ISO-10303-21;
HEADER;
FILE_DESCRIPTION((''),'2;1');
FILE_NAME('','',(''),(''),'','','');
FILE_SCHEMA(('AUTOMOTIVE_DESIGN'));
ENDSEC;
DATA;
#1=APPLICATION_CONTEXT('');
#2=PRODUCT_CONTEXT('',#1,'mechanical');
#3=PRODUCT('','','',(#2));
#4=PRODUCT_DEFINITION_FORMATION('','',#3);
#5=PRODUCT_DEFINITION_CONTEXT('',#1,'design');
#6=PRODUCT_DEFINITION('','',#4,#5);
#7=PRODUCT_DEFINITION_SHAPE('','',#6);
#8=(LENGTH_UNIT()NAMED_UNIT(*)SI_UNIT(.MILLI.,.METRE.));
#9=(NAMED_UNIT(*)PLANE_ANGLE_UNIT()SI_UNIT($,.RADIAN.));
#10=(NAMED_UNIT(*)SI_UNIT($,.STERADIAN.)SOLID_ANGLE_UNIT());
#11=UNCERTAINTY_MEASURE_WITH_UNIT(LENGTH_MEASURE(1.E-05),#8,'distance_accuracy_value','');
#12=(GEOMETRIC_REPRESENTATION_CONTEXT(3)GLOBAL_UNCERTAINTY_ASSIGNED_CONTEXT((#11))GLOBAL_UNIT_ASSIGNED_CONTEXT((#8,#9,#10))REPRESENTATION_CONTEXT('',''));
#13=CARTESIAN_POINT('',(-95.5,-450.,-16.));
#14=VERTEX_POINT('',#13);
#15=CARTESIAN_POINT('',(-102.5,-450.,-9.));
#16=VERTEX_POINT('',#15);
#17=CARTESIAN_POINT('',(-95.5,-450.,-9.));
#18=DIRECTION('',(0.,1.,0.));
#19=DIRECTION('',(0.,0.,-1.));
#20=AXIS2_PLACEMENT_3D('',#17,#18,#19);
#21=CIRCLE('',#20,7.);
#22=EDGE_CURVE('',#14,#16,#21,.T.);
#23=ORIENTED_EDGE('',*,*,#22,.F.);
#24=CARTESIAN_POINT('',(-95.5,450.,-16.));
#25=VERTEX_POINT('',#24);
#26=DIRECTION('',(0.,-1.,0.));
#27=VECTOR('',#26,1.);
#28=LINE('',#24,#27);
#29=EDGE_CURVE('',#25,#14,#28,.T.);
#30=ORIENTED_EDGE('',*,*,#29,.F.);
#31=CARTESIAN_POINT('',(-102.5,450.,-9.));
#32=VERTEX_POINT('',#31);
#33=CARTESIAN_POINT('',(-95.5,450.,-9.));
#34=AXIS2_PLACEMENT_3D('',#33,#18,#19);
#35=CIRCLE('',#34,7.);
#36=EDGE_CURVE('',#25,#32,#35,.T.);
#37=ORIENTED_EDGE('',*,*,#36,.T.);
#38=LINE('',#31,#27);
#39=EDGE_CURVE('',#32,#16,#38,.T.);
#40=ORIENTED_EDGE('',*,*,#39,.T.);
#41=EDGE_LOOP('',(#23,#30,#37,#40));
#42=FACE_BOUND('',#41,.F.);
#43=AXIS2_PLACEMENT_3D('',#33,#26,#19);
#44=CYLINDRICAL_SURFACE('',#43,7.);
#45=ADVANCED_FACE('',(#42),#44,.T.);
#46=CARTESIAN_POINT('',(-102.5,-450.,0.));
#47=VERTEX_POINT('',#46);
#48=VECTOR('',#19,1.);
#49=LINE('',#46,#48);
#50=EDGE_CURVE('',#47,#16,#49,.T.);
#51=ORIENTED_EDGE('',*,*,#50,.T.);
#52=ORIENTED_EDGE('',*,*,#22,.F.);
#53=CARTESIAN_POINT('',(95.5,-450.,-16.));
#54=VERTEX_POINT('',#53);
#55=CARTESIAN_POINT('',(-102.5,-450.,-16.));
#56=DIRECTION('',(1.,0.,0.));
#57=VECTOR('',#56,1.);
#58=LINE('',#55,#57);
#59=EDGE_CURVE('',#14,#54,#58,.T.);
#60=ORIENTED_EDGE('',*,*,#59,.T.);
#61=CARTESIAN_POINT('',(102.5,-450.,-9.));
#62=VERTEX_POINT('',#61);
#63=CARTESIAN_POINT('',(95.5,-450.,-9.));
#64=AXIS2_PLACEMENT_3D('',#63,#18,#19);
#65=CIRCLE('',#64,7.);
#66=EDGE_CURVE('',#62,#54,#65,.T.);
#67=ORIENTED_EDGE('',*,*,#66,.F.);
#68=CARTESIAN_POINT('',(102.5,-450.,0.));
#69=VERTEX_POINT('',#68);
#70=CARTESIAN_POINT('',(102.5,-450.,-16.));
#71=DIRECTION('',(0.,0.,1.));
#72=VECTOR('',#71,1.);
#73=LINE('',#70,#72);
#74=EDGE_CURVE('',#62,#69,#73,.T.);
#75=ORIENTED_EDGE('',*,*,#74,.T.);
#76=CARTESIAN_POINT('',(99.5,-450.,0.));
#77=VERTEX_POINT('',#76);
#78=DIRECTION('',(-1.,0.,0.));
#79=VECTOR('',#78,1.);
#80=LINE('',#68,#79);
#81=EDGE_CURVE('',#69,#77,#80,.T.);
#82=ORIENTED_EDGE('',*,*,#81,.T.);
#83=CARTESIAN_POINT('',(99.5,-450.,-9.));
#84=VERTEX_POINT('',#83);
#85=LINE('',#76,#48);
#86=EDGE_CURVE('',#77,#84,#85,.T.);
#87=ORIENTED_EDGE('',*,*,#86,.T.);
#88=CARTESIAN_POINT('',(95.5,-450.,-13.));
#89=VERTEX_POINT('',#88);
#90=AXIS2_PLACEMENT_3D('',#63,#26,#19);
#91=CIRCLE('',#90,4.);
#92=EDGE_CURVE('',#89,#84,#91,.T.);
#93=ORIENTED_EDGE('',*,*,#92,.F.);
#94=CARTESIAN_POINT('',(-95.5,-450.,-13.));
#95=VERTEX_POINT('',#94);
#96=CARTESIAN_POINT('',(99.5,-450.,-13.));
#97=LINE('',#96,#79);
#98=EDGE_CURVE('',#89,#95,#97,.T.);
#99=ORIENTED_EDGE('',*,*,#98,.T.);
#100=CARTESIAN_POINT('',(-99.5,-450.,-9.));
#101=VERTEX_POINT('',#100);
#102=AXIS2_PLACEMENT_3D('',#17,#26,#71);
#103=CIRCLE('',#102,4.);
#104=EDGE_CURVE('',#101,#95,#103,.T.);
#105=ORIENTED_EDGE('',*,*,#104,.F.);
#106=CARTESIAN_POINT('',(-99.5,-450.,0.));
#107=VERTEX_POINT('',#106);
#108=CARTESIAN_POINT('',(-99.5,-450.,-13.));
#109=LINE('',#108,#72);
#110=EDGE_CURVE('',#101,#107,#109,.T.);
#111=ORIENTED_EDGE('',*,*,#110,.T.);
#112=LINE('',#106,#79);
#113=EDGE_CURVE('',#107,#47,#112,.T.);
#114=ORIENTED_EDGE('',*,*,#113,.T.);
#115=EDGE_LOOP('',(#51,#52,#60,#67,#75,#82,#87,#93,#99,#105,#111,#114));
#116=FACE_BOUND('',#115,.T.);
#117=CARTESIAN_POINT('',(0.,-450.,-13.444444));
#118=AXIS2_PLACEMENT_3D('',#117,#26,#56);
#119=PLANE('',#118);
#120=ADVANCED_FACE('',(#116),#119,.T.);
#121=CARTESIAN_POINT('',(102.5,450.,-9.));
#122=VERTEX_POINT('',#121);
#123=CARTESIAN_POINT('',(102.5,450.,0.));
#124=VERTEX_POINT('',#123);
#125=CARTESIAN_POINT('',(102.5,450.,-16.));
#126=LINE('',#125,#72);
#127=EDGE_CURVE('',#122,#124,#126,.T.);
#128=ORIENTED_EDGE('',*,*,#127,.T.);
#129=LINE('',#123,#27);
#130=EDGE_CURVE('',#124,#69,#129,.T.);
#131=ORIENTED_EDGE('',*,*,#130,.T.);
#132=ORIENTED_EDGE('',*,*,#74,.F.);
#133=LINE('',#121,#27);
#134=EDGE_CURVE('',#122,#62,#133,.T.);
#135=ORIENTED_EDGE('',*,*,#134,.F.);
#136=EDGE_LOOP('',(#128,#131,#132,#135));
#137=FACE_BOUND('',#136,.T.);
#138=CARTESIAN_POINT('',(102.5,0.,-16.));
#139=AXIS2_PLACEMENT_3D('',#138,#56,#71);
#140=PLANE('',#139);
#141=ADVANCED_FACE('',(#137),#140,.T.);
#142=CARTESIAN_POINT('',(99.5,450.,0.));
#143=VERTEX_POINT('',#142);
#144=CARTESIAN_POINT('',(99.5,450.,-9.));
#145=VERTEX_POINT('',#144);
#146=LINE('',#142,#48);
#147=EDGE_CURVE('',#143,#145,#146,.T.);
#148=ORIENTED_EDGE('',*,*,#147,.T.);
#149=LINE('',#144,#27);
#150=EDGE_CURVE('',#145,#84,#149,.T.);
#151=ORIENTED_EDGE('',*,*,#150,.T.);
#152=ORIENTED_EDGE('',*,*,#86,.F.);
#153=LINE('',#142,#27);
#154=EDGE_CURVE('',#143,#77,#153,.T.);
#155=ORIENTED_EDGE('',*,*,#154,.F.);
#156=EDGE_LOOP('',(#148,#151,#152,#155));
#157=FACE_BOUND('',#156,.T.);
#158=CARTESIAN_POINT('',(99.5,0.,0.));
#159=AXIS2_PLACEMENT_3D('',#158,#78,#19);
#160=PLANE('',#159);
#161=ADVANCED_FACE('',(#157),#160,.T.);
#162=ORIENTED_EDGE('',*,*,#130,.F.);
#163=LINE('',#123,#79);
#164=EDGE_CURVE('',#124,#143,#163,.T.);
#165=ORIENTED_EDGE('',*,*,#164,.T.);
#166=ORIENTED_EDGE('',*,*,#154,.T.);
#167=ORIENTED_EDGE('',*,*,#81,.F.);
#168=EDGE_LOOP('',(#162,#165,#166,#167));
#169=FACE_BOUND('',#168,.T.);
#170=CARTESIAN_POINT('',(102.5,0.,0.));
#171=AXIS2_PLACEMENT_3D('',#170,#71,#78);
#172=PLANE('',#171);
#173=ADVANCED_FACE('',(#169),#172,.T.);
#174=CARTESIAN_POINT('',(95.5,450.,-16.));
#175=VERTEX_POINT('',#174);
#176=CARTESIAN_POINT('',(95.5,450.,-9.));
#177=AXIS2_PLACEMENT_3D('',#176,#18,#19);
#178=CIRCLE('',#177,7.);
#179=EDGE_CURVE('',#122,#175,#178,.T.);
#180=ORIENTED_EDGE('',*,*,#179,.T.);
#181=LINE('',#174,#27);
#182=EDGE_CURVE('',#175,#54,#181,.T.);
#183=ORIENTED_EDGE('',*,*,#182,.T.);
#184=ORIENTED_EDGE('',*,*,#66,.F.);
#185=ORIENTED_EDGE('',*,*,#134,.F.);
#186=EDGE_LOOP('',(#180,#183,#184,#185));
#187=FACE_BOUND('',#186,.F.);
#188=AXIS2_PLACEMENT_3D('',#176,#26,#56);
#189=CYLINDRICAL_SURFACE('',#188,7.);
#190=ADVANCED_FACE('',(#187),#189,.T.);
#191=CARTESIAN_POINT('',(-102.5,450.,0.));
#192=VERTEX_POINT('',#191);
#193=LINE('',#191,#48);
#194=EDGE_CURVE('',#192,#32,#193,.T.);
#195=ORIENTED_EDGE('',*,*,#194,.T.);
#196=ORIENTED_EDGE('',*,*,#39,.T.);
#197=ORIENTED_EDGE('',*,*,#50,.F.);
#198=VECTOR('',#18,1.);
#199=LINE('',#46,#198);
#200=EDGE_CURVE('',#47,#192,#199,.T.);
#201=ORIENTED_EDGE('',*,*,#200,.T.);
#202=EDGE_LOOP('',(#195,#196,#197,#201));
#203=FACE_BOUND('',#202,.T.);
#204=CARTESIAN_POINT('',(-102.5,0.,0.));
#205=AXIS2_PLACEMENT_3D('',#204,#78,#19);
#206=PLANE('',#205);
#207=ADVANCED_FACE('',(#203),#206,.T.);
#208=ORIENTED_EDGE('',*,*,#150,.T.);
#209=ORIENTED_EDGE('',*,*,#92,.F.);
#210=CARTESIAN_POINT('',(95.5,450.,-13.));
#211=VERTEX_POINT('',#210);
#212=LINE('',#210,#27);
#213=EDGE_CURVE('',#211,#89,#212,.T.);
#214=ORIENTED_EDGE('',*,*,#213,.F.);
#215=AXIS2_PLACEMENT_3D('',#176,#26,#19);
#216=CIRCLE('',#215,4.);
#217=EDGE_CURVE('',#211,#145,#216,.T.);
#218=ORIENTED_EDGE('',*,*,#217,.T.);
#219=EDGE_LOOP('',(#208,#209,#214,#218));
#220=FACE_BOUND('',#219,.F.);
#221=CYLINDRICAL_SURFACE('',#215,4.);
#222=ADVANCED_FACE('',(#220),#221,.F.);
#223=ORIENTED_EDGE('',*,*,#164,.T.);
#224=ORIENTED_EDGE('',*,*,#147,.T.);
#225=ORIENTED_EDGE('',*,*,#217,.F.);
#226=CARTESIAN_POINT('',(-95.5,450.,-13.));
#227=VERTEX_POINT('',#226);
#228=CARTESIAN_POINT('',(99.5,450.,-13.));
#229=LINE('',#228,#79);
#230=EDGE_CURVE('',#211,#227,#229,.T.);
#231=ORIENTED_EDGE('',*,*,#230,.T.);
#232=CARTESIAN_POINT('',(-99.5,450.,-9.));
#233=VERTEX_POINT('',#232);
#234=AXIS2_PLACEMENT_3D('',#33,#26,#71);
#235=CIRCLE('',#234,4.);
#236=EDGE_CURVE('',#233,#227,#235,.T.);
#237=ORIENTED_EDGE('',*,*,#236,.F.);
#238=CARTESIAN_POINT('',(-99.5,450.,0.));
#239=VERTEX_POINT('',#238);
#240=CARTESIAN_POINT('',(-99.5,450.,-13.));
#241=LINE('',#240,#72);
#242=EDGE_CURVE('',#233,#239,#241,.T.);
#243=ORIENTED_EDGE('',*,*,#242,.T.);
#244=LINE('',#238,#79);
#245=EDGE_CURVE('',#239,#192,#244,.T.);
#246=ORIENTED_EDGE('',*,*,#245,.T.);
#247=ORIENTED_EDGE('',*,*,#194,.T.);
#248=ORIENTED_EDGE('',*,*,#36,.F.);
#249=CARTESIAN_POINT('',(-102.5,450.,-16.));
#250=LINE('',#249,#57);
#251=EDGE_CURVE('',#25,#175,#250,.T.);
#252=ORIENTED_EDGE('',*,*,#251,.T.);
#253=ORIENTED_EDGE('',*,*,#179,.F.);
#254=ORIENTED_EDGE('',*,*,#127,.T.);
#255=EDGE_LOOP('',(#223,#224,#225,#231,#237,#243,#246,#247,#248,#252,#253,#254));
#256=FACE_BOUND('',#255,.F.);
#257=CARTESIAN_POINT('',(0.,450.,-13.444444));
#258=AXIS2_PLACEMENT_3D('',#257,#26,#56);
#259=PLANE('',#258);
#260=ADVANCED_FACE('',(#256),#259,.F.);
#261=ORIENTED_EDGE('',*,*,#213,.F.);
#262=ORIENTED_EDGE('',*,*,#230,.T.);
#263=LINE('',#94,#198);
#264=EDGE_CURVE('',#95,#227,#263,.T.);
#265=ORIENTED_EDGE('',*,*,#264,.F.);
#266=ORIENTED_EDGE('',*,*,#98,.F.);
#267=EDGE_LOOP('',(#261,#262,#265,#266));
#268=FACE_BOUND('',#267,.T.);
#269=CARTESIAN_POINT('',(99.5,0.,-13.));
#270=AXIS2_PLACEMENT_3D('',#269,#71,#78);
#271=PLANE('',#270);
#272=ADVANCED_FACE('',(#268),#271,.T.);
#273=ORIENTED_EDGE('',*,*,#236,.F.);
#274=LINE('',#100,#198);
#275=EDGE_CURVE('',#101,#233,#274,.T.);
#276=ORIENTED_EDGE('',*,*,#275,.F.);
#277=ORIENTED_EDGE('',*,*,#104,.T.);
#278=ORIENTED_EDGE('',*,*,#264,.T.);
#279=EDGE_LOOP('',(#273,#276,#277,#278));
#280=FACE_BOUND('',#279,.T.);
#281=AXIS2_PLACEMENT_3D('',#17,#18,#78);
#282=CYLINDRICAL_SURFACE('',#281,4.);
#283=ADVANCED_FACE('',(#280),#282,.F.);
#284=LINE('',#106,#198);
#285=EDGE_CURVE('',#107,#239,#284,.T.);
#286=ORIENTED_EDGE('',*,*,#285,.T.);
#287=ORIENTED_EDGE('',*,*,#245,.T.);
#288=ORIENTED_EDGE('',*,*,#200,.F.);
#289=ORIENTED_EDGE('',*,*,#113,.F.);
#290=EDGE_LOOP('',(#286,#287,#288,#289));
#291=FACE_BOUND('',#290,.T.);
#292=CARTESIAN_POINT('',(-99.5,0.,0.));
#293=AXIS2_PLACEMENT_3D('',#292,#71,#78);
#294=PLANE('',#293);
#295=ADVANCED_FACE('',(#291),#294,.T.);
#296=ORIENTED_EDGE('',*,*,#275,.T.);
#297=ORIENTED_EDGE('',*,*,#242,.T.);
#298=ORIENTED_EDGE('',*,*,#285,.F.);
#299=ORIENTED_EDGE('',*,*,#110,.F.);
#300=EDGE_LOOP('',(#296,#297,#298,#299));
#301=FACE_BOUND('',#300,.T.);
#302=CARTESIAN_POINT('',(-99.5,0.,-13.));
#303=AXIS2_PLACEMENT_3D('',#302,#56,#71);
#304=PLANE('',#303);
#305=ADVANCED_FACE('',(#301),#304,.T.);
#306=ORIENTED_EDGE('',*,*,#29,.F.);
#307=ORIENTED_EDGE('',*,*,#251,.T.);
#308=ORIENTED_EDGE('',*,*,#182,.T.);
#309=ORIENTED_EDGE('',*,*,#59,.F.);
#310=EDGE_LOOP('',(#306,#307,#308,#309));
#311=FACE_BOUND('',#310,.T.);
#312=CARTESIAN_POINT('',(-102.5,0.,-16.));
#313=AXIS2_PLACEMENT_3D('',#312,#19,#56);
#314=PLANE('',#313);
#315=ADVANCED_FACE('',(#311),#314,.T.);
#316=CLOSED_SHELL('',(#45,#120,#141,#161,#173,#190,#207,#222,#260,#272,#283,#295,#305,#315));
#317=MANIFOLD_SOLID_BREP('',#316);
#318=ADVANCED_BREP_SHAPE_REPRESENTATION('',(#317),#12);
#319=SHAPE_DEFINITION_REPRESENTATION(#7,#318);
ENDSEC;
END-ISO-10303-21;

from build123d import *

# Parameters (mm, degrees)
F1_DEPTH = 450
F2_R     = 4
F3_R     = 7


with BuildPart() as f1:
    # F0 (on Front) → F1 (new body, symmetric)
    with BuildSketch(Plane.XZ):
        Polygon((-102.5, 0), (-102.5, -16), (102.5, -16), (102.5, 0), (99.5, 0), (99.5, -13), (-99.5, -13), (-99.5, 0), align=None)
    extrude(amount=F1_DEPTH, both=True)

    # F2
    f2_edges = [f1.edges().sort_by_distance(p)[0] for p in [
        (-99.5, 0, -13),
        (99.5, 0, -13),
    ]]
    fillet(f2_edges, radius=F2_R)

    # F3
    f3_edges = [f1.edges().sort_by_distance(p)[0] for p in [
        (-102.5, 0, -16),
        (102.5, 0, -16),
    ]]
    fillet(f3_edges, radius=F3_R)


solid = f1.part
